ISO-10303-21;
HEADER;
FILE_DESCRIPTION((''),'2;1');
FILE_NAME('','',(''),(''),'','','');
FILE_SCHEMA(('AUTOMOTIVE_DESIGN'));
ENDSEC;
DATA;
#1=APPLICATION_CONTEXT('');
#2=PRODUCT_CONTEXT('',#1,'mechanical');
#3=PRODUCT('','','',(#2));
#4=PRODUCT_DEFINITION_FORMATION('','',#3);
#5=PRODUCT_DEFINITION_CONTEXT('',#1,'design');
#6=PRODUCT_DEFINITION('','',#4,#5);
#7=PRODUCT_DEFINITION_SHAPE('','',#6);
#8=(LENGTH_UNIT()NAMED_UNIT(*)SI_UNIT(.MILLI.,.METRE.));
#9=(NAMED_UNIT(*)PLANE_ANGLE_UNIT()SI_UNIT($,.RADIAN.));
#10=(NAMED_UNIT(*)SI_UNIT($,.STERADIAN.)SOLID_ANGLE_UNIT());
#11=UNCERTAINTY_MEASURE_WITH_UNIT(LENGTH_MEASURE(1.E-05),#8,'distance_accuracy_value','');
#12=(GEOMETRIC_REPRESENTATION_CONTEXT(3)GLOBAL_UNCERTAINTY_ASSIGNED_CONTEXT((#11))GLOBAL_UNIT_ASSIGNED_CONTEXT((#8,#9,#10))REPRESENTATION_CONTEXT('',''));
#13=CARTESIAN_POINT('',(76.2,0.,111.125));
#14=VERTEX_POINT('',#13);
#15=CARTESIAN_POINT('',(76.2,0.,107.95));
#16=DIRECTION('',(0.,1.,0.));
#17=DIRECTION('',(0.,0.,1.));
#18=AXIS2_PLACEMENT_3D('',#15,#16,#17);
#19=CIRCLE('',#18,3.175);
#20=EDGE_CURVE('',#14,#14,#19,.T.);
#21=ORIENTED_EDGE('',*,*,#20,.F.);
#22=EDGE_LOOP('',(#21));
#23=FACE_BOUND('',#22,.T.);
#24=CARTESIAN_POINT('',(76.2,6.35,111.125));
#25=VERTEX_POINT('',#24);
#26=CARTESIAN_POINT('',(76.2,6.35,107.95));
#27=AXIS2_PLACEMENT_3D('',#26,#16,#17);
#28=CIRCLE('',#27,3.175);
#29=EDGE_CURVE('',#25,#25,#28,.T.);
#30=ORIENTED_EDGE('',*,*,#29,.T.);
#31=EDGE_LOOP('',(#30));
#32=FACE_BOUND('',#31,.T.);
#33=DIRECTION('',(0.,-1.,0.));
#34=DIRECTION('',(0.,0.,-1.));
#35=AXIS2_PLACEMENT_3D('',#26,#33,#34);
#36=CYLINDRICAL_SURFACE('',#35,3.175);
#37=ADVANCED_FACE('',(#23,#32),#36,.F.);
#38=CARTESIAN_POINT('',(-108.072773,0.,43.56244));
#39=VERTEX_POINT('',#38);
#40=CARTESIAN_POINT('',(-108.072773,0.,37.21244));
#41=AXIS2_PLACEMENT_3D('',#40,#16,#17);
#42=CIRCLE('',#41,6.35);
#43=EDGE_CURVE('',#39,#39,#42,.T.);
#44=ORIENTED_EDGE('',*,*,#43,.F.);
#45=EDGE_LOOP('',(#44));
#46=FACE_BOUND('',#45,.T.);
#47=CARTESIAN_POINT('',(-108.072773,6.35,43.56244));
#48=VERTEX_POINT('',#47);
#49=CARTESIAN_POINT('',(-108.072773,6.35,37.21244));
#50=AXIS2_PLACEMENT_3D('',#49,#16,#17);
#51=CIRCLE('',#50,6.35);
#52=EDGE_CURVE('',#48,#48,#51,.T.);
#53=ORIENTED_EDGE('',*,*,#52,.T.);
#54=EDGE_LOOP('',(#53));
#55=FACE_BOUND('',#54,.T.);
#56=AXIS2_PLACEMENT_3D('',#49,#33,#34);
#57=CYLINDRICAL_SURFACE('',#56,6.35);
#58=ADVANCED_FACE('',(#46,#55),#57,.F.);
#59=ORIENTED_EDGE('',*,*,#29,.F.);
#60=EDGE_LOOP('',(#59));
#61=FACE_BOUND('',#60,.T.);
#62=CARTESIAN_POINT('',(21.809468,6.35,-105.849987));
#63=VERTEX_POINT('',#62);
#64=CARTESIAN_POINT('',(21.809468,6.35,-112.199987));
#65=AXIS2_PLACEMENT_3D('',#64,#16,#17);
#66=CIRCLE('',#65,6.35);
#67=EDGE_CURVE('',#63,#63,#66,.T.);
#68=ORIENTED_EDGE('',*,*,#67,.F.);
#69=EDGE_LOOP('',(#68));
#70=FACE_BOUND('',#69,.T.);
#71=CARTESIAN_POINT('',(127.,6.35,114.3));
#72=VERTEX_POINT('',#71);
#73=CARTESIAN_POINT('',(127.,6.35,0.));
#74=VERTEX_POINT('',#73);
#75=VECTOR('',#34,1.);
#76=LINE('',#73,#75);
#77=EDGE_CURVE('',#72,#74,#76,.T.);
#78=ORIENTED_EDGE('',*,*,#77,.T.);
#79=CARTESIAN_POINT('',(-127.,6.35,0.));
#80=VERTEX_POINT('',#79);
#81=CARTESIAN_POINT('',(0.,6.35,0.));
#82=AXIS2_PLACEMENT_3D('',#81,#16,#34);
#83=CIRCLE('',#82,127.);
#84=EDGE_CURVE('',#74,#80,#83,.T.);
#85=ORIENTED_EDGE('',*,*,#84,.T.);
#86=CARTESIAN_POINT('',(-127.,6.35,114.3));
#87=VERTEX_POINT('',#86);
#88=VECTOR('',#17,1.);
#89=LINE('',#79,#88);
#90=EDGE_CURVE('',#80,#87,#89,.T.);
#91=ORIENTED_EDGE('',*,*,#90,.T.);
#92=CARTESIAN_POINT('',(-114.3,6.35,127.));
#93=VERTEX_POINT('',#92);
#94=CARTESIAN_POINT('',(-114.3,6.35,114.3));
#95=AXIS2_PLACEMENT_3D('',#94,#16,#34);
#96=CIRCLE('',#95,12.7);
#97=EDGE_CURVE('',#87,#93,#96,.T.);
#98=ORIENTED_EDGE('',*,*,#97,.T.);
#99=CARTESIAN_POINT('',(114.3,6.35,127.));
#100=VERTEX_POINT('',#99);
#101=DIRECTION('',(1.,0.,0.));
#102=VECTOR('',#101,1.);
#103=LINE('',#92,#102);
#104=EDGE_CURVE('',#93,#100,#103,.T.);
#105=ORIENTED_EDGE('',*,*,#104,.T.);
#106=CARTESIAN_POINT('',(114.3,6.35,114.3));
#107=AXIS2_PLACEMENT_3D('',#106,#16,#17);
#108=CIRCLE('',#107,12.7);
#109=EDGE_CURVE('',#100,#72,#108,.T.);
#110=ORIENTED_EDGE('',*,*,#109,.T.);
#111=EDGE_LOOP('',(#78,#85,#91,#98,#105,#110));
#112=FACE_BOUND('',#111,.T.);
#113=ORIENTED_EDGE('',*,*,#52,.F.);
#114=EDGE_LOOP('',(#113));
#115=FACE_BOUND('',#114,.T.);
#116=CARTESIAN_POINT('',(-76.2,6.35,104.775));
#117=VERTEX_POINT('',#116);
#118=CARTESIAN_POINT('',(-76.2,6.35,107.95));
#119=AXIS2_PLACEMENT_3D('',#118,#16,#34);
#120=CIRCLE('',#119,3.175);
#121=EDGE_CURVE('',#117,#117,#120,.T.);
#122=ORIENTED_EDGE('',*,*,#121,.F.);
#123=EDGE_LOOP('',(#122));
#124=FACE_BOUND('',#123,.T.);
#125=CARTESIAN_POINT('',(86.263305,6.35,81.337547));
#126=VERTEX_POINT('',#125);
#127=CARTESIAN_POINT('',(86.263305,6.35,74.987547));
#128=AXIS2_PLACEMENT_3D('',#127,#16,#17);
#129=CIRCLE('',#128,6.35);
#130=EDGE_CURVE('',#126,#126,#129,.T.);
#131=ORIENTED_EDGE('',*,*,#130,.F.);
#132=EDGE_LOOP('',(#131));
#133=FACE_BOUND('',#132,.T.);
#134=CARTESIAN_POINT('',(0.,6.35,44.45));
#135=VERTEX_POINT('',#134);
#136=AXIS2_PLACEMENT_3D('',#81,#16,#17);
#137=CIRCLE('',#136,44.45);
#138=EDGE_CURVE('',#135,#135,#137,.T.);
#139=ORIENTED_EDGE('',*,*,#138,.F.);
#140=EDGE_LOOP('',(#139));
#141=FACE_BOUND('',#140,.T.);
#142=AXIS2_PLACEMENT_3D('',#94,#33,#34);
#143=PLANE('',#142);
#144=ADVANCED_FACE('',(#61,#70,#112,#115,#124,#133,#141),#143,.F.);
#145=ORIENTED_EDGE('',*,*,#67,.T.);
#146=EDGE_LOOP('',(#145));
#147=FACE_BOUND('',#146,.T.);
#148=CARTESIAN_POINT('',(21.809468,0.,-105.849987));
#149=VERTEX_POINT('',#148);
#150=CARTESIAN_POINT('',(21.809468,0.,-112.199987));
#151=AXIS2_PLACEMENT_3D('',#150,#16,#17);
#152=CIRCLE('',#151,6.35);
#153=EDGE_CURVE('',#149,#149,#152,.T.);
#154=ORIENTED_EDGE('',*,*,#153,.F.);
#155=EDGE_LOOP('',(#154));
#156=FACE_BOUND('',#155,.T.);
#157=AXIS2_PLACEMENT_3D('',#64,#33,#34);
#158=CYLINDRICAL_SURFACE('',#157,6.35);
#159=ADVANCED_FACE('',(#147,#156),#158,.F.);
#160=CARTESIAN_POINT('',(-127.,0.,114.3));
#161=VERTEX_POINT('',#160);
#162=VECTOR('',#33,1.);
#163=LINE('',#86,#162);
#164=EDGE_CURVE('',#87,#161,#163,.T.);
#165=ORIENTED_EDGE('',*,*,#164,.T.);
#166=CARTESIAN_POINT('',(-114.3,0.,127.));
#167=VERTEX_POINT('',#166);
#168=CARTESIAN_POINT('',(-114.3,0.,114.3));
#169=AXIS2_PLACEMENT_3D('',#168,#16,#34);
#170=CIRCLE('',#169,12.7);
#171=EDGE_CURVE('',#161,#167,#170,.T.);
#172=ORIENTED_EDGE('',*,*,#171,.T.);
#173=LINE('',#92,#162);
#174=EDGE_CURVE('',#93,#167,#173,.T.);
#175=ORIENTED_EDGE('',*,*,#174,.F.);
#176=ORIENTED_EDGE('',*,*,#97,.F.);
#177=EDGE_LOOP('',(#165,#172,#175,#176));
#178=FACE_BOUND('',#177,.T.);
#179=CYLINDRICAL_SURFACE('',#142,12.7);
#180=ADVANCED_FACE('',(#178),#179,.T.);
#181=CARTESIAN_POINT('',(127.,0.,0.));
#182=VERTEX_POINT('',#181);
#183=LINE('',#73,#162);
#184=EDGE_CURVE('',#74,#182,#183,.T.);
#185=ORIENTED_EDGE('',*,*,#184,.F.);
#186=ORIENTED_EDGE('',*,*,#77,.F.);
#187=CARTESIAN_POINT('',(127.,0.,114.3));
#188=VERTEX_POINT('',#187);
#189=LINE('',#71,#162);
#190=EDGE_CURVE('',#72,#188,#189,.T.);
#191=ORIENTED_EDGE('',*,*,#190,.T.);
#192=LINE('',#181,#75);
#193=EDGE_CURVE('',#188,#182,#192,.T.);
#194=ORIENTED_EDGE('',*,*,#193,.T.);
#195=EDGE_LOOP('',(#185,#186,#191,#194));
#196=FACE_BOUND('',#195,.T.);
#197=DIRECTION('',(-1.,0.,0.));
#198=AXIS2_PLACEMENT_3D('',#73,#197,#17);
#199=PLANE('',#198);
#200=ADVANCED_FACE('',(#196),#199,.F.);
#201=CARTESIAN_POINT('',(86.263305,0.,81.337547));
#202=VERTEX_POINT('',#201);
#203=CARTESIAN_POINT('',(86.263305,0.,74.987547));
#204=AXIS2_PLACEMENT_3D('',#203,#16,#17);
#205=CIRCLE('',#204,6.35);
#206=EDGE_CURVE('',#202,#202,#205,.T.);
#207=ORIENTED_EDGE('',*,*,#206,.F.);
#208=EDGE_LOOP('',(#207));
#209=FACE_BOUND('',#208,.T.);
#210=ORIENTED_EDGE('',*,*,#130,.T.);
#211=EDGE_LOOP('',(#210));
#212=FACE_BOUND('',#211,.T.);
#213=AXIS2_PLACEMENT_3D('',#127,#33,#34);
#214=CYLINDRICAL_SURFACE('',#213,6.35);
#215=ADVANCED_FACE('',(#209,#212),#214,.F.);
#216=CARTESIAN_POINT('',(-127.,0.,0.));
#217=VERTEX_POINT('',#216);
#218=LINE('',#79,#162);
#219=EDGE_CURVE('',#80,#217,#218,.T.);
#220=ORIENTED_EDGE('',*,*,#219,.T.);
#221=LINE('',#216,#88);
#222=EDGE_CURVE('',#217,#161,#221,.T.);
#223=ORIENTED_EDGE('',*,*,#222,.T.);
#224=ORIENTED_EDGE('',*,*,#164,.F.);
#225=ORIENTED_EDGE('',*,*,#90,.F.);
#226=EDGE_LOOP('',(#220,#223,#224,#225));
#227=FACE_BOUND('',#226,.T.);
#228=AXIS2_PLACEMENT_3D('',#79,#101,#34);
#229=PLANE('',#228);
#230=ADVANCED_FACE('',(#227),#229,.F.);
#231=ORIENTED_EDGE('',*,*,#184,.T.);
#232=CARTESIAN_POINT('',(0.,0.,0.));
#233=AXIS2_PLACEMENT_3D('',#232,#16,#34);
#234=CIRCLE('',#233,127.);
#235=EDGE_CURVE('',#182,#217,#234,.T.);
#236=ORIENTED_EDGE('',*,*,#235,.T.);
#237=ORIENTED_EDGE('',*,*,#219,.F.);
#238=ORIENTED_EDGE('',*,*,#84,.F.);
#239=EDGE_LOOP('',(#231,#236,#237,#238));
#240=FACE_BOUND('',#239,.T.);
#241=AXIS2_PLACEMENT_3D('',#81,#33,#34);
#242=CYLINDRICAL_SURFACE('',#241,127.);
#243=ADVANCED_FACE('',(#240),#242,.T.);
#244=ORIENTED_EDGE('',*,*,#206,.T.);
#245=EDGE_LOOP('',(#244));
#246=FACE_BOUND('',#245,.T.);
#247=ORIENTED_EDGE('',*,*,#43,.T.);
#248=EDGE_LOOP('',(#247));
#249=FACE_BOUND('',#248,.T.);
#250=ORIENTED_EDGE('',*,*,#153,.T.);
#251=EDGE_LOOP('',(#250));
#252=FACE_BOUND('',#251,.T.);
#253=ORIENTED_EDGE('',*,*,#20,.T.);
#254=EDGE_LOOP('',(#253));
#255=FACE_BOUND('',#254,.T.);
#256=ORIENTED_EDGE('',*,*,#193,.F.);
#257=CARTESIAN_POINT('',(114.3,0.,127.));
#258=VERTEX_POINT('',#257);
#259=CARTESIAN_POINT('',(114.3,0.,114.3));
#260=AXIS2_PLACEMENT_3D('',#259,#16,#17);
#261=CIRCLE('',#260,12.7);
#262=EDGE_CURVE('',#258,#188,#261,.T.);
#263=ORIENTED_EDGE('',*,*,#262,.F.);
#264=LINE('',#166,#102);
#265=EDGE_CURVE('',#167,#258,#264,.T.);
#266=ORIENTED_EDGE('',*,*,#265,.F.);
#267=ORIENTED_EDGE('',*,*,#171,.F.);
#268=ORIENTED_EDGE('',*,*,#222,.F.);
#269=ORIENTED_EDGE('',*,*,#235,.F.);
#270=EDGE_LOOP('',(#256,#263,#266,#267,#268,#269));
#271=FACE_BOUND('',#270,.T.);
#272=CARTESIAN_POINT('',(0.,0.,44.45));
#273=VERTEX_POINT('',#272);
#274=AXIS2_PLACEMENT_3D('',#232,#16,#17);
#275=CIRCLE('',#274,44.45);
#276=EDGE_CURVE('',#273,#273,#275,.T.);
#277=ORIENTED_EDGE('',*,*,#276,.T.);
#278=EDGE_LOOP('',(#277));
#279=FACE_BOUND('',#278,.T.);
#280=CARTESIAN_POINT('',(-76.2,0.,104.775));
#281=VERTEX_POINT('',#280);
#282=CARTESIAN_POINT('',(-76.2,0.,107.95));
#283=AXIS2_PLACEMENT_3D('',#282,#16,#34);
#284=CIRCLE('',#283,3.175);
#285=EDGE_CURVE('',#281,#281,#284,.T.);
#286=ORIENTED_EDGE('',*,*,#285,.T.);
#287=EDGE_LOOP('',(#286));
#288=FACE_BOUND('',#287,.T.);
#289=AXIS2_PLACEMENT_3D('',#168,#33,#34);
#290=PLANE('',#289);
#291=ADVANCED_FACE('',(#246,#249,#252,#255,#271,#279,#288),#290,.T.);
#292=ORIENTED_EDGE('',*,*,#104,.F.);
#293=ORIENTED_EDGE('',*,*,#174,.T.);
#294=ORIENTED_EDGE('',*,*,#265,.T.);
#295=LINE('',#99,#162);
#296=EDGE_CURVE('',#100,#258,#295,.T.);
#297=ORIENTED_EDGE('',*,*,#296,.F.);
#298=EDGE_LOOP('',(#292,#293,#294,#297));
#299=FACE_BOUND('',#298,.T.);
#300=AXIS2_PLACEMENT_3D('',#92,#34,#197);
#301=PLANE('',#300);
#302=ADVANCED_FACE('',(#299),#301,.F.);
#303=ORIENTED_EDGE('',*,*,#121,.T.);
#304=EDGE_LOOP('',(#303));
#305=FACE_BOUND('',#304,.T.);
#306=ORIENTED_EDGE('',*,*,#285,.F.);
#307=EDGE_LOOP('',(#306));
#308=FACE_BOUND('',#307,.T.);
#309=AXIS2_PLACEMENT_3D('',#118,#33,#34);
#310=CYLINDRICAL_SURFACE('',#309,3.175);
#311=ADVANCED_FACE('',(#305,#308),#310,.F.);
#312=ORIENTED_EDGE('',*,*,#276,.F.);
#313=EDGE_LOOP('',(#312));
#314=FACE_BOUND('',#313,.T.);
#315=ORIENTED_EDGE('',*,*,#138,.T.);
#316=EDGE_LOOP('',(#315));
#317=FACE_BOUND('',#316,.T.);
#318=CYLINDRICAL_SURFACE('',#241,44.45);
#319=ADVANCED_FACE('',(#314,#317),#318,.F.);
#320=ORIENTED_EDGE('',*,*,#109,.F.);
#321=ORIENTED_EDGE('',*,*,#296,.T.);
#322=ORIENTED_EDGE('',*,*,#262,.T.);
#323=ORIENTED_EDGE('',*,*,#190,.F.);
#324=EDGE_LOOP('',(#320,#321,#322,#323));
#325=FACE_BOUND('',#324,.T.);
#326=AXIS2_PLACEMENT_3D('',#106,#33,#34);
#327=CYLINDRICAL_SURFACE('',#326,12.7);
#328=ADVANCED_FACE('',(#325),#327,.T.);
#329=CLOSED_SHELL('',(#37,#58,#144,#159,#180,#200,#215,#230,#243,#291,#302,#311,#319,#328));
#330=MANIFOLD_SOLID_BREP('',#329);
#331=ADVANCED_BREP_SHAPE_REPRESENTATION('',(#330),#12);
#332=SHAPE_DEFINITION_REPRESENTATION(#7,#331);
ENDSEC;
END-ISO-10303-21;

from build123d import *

# Parameters (mm, degrees)
SKETCH1_R           = 44.45
SKETCH1_R_2         = 6.35
SKETCH1_R_3         = 3.175
BOSS_EXTRUDE1_DEPTH = 6.35
SKETCH6_R           = 14.2875
SKETCH6_R_2         = 11.176
CUT_EXTRUDE1_DEPTH  = 28.448


with BuildPart() as part:
    # Sketch1 → Boss-Extrude1 (new body)
    with BuildSketch(Plane(origin=(0, 0, 0), x_dir=(1, 0, 0), z_dir=(0, 1, 0))):
        with BuildLine():
            Line((127, 0), (127, -114.3))
            ThreePointArc((127, -114.3), (123.280256121, -123.280256121), (114.3, -127))
            Line((114.3, -127), (-114.3, -127))
            ThreePointArc((-114.3, -127), (-123.280256121, -123.280256121), (-127, -114.3))
            Line((-127, -114.3), (-127, 0))
            ThreePointArc((-127, 0), (0, 127), (127, 0))
        make_face()
        Circle(SKETCH1_R, mode=Mode.SUBTRACT)
        with Locations((-108.072773191, -37.212440054)):
            Circle(SKETCH1_R_2, mode=Mode.SUBTRACT)
        with Locations((21.809468172, 112.199987068)):
            Circle(SKETCH1_R_2, mode=Mode.SUBTRACT)
        with Locations((86.263305019, -74.987547014)):
            Circle(SKETCH1_R_2, mode=Mode.SUBTRACT)
        with Locations((-76.2, -107.95)):
            Circle(SKETCH1_R_3, mode=Mode.SUBTRACT)
        with Locations((76.2, -107.95)):
            Circle(SKETCH1_R_3, mode=Mode.SUBTRACT)
    extrude(amount=BOSS_EXTRUDE1_DEPTH)

    # Sketch6 → Cut-Extrude1 (cut)
    with BuildSketch(Plane(origin=(0, 0, 0), x_dir=(1, 0, 0), z_dir=(0, 1, 0))):
        with Locations((174.752, 0)):
            Circle(SKETCH6_R)
        with Locations((174.752, 0)):
            Circle(SKETCH6_R_2, mode=Mode.SUBTRACT)
    extrude(amount=CUT_EXTRUDE1_DEPTH, mode=Mode.SUBTRACT)


solid = part.part
